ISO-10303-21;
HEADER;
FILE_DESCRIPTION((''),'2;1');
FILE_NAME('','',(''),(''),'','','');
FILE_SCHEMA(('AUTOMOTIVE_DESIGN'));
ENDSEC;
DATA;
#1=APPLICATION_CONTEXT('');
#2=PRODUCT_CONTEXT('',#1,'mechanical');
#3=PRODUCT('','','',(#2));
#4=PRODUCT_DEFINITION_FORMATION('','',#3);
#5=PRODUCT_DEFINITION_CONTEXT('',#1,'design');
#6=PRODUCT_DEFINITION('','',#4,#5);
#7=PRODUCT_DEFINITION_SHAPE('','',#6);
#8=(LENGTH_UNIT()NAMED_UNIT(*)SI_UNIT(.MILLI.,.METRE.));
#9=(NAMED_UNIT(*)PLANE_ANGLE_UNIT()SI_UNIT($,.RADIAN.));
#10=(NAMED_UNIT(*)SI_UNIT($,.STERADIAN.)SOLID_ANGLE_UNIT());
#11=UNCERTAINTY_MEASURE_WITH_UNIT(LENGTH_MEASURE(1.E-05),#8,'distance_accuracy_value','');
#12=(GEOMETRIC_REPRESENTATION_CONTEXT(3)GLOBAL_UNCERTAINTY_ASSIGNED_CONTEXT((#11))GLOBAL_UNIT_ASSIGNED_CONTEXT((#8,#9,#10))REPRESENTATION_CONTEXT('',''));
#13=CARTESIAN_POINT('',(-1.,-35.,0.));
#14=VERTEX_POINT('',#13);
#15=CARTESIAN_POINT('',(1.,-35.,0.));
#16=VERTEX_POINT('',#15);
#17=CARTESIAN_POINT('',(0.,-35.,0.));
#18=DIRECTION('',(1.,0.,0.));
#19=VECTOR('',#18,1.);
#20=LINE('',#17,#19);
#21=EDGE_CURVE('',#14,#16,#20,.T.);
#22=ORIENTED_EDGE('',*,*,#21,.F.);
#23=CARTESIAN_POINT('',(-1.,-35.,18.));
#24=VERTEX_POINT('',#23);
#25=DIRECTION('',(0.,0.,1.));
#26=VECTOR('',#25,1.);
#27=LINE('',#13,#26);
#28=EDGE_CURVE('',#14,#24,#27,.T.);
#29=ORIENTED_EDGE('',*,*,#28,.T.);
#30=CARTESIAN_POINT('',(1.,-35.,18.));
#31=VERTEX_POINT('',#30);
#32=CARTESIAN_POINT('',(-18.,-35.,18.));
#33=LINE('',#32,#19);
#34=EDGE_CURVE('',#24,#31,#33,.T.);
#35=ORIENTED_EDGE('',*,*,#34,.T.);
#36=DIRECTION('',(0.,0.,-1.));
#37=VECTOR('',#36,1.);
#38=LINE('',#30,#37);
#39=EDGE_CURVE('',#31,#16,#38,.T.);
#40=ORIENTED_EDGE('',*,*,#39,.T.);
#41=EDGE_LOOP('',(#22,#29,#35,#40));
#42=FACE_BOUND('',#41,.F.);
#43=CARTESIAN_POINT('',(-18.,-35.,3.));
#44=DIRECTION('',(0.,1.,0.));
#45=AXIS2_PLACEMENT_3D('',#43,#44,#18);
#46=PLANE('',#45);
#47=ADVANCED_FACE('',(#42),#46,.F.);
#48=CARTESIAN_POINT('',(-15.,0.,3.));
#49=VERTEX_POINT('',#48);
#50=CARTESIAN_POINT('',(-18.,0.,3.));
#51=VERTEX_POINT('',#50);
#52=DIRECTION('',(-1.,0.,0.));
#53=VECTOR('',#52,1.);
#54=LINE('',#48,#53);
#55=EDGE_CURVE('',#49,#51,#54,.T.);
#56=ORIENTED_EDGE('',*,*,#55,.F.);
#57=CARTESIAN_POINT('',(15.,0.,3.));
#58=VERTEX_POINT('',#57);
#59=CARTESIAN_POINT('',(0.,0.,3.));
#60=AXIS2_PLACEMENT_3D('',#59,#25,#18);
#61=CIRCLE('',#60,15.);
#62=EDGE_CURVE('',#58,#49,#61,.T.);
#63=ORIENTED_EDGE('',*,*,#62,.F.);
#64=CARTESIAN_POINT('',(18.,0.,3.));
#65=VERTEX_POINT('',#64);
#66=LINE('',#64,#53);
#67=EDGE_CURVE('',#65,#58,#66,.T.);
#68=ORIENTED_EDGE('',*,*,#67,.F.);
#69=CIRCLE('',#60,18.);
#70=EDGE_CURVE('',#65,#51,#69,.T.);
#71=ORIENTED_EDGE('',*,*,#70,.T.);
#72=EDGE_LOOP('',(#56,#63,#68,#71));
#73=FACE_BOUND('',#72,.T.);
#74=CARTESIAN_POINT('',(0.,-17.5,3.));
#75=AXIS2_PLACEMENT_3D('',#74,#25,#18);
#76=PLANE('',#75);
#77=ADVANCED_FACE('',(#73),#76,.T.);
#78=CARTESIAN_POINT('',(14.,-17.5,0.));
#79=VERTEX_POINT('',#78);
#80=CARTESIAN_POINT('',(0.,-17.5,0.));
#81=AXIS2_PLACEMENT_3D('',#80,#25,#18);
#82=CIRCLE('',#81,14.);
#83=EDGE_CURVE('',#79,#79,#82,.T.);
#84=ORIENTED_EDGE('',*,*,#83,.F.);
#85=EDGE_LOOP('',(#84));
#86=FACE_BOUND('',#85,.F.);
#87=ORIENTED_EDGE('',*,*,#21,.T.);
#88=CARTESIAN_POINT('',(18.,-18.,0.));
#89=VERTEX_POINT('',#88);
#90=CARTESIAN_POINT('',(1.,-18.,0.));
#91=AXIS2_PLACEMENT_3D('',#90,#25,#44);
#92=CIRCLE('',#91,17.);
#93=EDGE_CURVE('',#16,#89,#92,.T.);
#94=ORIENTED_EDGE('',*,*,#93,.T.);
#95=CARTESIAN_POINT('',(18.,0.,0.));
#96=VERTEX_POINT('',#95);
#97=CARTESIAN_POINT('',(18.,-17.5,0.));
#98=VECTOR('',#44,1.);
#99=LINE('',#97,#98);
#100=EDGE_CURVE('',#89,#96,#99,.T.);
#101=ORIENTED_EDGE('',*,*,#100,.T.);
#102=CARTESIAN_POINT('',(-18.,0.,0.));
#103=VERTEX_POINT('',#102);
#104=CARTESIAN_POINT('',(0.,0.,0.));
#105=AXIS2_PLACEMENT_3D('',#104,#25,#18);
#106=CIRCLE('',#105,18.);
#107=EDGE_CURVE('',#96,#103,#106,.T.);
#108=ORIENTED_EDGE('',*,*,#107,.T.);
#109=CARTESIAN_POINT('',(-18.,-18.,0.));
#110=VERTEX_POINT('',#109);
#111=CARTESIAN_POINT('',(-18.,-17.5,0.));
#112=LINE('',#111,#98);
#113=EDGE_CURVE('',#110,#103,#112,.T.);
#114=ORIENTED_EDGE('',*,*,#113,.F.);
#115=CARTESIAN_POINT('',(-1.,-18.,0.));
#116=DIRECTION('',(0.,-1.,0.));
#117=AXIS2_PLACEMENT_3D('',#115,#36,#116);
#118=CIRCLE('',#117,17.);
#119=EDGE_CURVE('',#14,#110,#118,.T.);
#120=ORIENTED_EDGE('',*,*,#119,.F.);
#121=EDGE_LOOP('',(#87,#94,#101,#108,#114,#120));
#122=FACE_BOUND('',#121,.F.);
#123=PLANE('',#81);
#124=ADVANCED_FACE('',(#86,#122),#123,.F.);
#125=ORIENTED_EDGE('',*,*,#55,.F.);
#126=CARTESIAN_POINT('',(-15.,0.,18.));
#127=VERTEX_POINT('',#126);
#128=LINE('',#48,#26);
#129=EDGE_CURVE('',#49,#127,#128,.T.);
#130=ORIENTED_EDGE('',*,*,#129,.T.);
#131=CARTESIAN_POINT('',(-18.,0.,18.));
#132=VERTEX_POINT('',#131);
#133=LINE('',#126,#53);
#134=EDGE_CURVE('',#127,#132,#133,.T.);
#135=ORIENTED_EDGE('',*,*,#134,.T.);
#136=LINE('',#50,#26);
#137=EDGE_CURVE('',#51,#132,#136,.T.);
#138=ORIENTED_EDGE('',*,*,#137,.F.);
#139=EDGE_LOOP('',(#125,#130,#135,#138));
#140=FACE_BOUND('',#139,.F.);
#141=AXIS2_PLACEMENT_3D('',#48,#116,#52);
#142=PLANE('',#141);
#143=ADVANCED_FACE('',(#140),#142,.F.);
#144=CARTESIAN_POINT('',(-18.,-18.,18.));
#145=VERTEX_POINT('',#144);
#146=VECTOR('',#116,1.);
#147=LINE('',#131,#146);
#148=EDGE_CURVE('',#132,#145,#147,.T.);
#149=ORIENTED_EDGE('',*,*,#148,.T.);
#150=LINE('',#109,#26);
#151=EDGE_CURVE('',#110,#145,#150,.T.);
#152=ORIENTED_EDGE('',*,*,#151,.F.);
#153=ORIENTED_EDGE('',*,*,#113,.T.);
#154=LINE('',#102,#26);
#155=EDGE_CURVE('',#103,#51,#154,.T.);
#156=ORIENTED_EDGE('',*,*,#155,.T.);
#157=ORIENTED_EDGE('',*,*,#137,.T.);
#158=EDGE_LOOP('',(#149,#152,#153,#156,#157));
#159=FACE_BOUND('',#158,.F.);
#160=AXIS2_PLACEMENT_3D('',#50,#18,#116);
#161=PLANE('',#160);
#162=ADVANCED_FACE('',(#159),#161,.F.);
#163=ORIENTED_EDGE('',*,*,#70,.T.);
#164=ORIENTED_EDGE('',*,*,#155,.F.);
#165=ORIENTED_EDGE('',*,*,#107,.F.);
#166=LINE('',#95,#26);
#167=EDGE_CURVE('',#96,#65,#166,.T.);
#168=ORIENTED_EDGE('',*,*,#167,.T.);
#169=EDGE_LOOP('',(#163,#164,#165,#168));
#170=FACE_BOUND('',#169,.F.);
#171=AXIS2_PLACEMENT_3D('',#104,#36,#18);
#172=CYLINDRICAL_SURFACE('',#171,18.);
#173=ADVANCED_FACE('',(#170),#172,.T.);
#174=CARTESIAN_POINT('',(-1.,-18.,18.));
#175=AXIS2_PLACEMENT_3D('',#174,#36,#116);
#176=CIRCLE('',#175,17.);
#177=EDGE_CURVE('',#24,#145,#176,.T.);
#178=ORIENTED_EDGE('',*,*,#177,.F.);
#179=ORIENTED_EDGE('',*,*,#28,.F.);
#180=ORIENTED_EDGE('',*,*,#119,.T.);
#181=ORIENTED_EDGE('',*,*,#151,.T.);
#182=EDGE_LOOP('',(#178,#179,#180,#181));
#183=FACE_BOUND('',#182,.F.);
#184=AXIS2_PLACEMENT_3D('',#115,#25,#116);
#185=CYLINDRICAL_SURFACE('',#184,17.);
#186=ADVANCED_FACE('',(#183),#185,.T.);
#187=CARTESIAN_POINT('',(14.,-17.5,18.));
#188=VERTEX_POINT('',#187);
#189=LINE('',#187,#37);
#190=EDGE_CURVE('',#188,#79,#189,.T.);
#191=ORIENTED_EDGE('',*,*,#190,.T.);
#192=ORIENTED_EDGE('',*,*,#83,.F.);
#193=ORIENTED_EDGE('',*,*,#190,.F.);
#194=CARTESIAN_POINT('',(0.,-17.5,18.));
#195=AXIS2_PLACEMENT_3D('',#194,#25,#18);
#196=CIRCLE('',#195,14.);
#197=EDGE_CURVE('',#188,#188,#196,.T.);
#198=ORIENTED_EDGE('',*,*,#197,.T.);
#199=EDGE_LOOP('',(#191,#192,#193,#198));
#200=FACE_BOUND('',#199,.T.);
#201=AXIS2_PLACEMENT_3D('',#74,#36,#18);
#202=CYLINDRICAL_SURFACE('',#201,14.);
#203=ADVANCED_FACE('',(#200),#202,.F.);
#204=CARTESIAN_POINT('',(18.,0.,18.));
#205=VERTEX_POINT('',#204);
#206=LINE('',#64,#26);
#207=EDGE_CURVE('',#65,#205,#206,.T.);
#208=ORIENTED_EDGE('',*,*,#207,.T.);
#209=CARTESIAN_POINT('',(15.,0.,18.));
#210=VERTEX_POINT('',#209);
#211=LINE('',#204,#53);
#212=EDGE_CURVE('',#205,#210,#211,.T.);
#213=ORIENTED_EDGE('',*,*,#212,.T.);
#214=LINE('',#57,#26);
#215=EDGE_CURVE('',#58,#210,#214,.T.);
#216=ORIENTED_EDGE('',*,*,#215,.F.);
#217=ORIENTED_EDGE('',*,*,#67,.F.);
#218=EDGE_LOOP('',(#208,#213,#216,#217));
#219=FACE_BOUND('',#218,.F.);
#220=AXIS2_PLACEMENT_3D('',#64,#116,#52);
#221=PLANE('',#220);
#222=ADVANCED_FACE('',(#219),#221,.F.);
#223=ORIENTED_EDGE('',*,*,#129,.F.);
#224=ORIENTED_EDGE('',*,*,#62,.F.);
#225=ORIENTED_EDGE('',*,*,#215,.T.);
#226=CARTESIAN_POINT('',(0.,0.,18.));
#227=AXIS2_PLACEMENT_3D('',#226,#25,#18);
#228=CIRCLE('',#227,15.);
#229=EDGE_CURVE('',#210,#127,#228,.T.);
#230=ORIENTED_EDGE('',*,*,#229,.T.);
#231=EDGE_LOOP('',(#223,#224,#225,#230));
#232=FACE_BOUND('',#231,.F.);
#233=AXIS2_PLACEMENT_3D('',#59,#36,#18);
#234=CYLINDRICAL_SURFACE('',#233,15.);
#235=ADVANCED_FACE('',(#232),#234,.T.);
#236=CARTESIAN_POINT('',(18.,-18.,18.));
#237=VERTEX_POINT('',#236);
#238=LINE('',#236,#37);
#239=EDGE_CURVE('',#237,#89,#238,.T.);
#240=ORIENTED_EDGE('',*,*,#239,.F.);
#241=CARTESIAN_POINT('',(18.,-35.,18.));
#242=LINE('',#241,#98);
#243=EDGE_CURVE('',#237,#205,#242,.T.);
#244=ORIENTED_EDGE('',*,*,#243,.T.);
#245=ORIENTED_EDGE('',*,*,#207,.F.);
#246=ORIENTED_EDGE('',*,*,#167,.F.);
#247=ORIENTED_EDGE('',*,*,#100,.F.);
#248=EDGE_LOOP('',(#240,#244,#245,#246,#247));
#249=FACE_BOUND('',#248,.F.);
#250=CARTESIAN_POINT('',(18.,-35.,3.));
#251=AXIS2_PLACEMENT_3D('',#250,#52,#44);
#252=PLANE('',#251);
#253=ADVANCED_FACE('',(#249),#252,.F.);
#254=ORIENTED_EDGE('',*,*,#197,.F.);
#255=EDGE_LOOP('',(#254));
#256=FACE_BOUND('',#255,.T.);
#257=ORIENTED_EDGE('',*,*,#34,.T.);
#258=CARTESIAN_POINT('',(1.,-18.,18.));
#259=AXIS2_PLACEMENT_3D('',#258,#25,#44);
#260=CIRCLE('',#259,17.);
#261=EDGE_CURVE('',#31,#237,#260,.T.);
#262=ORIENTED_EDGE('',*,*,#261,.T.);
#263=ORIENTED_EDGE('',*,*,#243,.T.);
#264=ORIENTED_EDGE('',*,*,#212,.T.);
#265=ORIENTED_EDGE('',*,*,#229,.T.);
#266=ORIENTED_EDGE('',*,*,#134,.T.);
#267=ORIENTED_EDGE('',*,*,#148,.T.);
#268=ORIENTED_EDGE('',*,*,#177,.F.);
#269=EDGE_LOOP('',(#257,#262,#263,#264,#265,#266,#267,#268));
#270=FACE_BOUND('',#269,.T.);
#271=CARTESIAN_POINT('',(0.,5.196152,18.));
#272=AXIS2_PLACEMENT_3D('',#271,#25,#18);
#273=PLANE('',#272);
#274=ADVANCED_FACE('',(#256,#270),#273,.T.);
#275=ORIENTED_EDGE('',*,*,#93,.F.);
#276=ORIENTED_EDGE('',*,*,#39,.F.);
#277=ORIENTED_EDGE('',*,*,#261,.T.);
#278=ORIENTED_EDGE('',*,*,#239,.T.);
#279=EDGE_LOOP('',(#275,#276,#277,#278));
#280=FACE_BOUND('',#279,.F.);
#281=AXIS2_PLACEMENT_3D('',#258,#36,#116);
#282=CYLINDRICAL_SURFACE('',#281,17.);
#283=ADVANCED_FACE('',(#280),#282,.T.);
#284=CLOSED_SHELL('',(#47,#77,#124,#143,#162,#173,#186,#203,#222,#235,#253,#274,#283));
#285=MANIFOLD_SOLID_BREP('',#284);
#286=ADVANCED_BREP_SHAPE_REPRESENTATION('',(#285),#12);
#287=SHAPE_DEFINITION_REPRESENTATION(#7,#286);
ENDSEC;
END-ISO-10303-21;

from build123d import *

# Parameters (mm, degrees)
F0_W     = 36
F0_H     = 35
F0_R     = 14
F1_DEPTH = 3
F2_R     = 14
F3_DEPTH = 15
F4_R     = 17


with BuildPart() as f1:
    # F0 (on Top) → F1 (new body)
    with BuildSketch(Plane.XY):
        with Locations((0, -17.5)):
            Rectangle(F0_W, F0_H)
        with Locations((0, -17.5)):
            Circle(F0_R, mode=Mode.SUBTRACT)
        with BuildLine():
            Line((-18, 0), (18, 0))
            ThreePointArc((18, 0), (0, 18), (-18, 0))
        make_face()
    extrude(amount=F1_DEPTH)

    # F2 (on face) → F3 (join)
    with BuildSketch(Plane.XY.offset(3)):
        with BuildLine():
            ThreePointArc((15, 0), (0, 15), (-15, 0))
            Line((-15, 0), (15, 0))
        make_face()
        Polygon((-15, 0), (-18, 0), (-18, -35), (18, -35), (18, 0), (15, 0), align=None)
        with Locations((0, -17.5)):
            Circle(F2_R, mode=Mode.SUBTRACT)
    extrude(amount=F3_DEPTH)

    # F4
    f4_edges = [f1.edges().sort_by_distance(p)[0] for p in [
        (-18, -35, 9),
        (18, -35, 9),
    ]]
    fillet(f4_edges, radius=F4_R)


solid = f1.part
